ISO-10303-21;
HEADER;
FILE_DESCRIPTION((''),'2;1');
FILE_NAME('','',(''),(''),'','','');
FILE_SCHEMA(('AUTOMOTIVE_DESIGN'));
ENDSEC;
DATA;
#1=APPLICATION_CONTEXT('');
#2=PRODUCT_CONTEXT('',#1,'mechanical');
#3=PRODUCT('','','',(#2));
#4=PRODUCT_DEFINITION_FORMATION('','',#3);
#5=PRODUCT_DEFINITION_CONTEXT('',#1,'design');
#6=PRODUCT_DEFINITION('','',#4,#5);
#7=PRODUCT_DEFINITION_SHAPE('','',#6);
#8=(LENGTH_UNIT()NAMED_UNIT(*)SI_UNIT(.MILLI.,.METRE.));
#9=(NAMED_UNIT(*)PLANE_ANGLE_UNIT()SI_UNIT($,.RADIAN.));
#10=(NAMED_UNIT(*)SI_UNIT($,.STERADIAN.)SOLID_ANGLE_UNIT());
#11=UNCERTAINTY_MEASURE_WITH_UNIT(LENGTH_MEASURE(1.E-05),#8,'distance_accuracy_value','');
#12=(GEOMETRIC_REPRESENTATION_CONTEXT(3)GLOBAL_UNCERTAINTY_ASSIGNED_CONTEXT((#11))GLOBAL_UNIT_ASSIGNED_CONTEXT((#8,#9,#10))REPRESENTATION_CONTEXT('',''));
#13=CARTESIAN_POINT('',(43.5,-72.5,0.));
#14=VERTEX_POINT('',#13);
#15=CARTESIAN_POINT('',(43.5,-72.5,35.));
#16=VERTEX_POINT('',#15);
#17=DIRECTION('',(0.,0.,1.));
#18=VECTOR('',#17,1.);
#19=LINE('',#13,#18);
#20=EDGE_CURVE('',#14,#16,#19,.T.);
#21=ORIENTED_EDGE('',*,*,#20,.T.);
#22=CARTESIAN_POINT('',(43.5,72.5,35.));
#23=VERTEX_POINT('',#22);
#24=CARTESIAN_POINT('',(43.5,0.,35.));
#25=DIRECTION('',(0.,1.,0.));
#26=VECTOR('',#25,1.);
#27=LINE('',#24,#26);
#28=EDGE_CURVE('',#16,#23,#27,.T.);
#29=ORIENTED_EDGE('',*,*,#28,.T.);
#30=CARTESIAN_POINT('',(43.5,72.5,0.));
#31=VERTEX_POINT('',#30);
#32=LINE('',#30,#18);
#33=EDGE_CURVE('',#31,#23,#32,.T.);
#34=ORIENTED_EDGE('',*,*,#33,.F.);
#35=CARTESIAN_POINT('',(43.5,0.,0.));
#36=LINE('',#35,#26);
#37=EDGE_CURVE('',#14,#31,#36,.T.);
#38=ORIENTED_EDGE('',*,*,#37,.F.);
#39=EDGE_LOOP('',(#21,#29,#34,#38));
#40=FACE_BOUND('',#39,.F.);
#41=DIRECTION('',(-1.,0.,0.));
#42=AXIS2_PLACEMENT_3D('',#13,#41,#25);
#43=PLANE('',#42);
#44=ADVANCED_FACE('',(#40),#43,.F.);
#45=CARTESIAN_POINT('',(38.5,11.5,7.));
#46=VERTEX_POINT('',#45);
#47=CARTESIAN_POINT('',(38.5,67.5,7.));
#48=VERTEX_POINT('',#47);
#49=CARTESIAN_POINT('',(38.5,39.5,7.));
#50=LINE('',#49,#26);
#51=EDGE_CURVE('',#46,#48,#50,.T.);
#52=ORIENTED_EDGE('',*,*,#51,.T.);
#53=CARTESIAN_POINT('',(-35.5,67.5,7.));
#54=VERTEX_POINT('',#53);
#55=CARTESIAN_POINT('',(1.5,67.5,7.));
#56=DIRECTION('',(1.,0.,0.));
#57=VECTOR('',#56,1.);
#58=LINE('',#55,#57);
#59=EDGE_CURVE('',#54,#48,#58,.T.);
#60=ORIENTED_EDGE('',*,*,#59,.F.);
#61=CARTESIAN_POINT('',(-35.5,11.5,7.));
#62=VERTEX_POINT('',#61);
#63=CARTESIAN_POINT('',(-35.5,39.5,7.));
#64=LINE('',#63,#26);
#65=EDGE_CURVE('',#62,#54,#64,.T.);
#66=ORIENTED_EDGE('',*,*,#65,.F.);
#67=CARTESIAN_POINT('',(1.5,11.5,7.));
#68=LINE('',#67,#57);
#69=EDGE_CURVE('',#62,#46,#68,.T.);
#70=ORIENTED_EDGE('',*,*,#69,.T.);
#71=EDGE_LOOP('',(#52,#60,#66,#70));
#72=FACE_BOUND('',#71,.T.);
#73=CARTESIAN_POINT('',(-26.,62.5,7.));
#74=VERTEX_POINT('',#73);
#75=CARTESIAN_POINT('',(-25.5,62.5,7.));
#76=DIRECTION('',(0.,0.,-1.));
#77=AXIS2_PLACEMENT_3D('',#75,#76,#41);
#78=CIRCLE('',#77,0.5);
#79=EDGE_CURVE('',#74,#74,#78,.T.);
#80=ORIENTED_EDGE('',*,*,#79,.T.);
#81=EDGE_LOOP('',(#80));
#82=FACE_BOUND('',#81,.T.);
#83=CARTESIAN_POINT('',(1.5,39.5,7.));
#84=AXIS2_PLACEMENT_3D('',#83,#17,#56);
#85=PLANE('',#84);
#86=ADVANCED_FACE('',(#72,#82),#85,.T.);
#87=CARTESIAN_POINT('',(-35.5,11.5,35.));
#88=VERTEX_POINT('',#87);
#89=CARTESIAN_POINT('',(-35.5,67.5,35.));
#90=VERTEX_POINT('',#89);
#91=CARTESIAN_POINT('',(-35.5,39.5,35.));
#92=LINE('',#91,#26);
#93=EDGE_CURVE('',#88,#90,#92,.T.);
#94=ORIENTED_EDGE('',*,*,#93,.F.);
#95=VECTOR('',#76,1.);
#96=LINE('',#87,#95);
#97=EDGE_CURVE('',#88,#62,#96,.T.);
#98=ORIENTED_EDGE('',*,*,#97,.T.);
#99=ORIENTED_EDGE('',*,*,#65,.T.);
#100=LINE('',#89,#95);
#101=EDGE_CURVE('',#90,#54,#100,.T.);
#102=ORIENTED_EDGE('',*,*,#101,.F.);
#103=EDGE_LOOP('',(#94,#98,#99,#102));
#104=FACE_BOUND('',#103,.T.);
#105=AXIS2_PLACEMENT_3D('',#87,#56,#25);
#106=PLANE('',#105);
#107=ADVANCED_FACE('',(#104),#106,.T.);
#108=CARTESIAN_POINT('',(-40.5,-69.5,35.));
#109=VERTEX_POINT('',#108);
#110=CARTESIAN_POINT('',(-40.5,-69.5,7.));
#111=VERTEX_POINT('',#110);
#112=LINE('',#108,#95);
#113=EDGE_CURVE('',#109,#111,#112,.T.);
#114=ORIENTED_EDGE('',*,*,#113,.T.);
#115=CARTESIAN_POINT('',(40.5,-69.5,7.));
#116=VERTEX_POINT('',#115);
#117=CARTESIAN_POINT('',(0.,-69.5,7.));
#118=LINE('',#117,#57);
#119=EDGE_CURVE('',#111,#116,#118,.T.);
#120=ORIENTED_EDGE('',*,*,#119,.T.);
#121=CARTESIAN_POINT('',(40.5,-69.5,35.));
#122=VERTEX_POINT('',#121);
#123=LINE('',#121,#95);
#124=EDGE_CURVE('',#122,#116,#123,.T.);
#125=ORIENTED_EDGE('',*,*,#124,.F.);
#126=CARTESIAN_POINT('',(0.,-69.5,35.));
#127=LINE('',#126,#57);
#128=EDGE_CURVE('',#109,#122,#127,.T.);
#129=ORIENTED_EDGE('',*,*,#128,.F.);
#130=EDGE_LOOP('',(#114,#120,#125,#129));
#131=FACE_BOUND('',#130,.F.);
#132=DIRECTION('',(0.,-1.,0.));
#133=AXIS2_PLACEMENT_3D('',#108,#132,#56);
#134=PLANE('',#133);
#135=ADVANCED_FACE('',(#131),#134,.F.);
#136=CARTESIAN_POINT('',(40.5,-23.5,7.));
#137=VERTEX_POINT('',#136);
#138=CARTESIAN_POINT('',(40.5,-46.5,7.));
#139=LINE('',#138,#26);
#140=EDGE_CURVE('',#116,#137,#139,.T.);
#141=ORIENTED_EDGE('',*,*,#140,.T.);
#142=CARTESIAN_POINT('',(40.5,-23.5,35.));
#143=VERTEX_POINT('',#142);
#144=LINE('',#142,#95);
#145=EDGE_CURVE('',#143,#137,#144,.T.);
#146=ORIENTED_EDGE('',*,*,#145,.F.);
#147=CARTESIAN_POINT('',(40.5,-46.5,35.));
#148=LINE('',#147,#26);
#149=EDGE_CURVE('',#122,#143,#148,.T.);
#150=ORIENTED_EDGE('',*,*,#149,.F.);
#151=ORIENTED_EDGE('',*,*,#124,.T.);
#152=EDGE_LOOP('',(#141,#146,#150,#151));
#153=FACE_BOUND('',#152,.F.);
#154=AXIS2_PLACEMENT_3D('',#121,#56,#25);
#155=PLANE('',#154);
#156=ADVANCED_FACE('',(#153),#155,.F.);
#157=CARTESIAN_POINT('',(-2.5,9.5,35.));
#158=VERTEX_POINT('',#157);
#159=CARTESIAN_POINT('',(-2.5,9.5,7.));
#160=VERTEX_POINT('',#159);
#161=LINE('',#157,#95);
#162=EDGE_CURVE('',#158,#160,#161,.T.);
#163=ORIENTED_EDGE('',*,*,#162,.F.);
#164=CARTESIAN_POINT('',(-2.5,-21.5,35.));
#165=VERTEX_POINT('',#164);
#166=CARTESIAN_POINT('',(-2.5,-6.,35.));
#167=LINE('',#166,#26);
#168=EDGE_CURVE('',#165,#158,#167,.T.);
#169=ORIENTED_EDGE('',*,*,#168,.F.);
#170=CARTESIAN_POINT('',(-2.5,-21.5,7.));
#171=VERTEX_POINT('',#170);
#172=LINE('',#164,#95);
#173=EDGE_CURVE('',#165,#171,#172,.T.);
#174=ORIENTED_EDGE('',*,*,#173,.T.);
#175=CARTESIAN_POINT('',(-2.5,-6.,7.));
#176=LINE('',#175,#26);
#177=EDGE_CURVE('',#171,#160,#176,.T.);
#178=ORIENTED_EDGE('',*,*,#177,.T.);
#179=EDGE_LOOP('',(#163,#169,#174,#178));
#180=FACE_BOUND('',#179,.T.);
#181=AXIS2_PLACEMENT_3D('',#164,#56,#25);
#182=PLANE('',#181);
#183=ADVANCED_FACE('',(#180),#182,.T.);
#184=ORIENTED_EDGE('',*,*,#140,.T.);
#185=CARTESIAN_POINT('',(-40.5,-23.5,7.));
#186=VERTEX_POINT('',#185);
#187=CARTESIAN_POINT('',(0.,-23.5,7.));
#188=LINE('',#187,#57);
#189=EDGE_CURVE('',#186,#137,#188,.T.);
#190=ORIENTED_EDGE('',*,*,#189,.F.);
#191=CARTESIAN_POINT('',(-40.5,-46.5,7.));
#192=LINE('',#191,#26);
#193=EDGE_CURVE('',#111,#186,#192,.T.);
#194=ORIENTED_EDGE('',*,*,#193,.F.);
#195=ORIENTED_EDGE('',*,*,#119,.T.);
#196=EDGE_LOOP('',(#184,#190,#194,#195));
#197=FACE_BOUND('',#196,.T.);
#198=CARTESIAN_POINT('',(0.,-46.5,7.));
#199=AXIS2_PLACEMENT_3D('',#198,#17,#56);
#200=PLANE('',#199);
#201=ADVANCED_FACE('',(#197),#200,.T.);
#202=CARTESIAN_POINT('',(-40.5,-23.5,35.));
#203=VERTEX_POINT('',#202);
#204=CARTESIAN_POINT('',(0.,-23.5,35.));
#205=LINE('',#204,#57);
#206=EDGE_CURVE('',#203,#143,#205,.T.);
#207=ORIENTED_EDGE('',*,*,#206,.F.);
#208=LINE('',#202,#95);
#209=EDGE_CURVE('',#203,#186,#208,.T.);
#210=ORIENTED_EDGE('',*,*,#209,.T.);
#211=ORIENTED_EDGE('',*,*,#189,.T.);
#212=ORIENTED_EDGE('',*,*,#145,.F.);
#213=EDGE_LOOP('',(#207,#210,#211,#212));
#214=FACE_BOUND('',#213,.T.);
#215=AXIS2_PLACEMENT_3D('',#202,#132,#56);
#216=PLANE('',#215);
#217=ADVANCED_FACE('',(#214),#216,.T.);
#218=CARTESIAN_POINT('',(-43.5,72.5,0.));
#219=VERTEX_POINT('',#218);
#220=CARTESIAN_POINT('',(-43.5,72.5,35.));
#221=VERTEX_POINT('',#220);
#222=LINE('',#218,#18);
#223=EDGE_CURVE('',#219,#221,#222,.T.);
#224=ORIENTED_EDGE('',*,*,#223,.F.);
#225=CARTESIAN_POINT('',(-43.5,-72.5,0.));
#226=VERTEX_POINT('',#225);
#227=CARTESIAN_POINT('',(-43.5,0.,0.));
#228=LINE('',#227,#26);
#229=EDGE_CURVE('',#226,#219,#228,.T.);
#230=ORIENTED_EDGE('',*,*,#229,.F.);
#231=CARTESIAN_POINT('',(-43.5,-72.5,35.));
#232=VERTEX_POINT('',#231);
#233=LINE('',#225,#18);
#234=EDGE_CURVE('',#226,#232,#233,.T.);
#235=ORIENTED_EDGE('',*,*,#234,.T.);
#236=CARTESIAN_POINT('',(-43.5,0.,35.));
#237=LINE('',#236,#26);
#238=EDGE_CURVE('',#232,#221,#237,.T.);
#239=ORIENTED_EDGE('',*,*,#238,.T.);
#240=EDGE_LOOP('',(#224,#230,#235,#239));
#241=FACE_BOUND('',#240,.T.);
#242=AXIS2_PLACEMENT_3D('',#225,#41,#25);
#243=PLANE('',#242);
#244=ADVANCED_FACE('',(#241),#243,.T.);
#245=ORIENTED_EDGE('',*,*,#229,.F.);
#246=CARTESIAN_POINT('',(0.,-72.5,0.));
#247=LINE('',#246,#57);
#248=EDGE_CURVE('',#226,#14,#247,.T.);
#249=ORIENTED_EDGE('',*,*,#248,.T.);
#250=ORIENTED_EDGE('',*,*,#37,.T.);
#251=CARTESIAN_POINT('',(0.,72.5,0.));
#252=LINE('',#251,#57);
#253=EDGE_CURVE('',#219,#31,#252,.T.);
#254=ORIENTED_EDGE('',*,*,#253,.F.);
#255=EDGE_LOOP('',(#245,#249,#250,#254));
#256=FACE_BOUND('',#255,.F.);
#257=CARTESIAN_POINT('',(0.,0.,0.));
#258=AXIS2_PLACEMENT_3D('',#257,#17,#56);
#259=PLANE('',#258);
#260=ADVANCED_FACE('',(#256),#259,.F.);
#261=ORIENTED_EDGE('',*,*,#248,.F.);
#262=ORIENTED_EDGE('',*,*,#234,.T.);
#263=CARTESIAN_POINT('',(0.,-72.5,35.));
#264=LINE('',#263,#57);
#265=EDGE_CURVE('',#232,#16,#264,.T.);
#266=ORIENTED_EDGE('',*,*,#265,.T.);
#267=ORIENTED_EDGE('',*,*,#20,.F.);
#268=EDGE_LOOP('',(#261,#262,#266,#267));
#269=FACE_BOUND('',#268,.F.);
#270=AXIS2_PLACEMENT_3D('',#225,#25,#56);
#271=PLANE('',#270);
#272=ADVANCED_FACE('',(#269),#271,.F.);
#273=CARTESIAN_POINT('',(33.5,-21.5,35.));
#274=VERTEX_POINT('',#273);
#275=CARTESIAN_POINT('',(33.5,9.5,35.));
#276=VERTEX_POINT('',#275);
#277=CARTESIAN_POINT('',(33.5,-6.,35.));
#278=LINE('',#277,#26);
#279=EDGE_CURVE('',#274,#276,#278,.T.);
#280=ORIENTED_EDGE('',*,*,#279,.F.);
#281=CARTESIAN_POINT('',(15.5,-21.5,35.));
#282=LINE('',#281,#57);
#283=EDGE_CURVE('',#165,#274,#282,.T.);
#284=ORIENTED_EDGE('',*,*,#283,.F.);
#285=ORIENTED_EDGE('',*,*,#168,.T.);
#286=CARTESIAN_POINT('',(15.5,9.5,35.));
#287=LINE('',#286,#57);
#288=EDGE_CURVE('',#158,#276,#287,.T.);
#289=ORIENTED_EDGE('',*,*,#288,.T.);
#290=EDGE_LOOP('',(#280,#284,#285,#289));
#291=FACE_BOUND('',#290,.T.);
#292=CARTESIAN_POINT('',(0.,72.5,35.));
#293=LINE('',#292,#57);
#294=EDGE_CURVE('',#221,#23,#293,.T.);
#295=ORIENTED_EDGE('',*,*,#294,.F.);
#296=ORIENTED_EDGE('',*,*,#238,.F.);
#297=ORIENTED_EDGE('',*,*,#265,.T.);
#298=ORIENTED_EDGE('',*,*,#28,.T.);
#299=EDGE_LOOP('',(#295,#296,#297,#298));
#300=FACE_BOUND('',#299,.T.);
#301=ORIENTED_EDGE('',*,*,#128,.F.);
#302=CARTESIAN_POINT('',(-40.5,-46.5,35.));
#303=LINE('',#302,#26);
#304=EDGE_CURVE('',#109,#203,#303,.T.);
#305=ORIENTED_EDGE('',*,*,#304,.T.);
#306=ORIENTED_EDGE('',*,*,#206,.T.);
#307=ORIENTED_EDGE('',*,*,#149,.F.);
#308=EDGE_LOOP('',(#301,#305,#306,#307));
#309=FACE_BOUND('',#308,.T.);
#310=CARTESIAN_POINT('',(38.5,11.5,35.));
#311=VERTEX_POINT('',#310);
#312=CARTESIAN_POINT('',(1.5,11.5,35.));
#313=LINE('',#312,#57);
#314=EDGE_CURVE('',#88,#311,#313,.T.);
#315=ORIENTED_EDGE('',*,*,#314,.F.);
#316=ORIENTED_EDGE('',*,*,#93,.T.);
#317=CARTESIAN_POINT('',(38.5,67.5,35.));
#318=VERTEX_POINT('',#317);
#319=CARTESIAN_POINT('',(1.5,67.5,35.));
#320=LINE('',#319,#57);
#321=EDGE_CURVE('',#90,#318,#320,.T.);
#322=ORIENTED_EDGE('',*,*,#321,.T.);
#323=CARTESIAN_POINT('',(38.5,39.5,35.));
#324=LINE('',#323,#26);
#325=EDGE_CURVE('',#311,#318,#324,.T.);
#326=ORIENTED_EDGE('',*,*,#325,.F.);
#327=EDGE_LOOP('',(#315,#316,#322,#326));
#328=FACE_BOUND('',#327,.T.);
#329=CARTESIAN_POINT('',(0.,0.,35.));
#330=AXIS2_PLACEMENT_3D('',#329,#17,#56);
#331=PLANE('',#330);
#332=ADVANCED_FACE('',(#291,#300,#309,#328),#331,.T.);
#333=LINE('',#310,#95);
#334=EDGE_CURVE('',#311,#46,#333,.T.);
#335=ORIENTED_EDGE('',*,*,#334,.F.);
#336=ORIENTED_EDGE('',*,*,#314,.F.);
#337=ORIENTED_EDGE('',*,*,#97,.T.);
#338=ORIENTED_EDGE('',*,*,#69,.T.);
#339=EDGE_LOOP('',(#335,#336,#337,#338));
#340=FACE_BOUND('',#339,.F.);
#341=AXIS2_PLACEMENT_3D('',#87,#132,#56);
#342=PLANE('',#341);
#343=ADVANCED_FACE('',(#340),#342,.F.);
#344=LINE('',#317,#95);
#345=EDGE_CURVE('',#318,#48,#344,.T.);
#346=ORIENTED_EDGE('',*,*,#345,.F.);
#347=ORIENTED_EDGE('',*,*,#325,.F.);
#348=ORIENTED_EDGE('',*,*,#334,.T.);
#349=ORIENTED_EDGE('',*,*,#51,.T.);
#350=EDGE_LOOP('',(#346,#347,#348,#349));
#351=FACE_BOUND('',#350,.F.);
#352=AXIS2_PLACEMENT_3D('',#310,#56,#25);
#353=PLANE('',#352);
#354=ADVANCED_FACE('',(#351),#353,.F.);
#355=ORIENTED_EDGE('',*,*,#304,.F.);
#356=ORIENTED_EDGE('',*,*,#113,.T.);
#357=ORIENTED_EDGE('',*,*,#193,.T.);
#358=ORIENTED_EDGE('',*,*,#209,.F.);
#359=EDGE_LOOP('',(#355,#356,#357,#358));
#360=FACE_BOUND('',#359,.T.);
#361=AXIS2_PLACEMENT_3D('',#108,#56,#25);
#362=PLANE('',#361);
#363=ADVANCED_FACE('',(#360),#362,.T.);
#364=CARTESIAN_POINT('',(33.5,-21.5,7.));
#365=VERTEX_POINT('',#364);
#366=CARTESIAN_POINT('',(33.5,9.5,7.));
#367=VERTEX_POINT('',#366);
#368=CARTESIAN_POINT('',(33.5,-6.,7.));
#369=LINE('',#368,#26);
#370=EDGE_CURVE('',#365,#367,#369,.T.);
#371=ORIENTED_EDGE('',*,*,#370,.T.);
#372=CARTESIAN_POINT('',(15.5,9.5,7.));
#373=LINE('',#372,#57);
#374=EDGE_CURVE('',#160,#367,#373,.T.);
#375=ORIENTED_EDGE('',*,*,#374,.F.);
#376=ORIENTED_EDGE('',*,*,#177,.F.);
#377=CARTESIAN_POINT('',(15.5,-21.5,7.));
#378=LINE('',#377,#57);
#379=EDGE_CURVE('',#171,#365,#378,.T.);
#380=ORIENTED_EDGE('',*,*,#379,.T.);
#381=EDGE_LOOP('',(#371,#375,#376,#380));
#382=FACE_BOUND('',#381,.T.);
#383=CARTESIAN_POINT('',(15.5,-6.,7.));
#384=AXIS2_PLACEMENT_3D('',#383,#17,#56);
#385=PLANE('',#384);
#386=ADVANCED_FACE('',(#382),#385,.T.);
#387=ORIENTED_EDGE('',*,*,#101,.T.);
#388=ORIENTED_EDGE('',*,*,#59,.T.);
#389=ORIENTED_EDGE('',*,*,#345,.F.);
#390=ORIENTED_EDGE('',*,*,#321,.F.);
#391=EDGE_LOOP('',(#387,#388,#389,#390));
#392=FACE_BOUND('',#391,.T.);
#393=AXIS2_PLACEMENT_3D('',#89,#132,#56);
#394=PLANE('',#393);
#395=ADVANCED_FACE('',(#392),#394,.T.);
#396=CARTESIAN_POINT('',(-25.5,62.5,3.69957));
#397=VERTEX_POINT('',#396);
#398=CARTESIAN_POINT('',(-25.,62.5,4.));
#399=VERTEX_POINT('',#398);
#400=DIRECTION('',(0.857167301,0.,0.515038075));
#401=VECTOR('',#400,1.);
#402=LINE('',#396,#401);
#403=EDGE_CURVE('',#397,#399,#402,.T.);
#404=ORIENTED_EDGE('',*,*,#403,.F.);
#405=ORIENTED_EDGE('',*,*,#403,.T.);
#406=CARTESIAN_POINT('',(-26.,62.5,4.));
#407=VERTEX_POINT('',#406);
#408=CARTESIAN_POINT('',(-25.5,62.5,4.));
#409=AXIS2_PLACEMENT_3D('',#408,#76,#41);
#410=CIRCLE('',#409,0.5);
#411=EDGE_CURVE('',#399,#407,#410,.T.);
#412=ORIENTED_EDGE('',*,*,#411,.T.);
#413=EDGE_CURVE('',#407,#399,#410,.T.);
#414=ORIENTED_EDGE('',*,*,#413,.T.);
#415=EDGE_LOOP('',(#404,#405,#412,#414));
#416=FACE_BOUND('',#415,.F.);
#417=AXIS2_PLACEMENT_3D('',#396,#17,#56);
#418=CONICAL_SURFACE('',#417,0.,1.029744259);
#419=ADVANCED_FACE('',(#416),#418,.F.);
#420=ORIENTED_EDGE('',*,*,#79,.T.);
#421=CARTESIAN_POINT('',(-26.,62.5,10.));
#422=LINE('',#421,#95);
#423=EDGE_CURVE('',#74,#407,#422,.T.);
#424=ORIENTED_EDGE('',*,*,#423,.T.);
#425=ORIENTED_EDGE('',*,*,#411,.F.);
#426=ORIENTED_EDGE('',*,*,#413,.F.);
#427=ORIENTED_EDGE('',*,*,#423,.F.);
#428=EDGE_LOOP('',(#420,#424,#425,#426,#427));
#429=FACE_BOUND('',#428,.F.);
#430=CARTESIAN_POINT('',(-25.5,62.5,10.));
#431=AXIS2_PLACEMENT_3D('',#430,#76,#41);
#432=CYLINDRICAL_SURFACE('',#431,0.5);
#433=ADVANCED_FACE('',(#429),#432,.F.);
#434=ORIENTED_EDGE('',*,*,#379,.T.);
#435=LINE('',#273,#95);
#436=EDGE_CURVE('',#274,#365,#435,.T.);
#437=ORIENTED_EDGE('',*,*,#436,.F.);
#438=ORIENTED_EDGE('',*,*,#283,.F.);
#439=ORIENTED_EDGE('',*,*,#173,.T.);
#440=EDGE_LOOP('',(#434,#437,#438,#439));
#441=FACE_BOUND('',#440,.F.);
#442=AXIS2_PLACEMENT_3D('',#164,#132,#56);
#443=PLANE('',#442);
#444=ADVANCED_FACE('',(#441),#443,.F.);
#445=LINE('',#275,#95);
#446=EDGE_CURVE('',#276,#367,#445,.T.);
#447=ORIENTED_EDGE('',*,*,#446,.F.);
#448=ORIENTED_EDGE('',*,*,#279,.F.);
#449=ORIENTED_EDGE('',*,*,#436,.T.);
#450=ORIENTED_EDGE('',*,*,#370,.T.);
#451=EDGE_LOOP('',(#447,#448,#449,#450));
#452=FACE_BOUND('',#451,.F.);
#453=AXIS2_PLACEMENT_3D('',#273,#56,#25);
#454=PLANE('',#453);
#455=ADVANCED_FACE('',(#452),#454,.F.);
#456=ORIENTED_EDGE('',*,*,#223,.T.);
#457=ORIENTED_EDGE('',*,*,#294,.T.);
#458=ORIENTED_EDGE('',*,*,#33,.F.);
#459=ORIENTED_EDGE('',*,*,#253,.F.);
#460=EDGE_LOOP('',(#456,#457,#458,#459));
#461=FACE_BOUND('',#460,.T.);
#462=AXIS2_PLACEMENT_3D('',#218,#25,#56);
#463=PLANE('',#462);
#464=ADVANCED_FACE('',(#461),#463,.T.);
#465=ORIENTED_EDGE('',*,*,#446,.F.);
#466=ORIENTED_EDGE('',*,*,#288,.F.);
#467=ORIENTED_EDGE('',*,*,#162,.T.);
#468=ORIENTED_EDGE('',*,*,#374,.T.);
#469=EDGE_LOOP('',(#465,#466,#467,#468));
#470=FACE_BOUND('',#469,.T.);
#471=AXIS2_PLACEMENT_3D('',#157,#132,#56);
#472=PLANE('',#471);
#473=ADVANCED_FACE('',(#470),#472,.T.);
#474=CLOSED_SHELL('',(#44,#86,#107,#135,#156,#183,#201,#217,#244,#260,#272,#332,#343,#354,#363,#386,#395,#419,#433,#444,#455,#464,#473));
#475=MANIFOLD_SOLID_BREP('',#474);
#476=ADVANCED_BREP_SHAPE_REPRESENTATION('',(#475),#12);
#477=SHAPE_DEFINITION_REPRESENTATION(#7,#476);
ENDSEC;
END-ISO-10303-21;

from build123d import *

# Parameters (mm, degrees)
F0_W     = 87
F0_H     = 145
F1_DEPTH = 35
F2_W     = 74
F2_H     = 56
F2_W_2   = 36
F2_H_2   = 31
F2_W_3   = 81
F2_H_3   = 46
F3_DEPTH = 28
F4_D     = 1
F4_DEPTH = 3
F4_START = 28
F4_TIP   = 0.3004303095


with BuildPart() as f1:
    # F0 (on Top) → F1 (new body)
    with BuildSketch(Plane.XY):
        Rectangle(F0_W, F0_H)
    extrude(amount=F1_DEPTH)

    # F2 (on face) → F3 (cut)
    with BuildSketch(Plane.XY.offset(35)):
        with Locations((1.5, 39.5)):
            Rectangle(F2_W, F2_H)
        with Locations((15.5, -6)):
            Rectangle(F2_W_2, F2_H_2)
        with Locations((0, -46.5)):
            Rectangle(F2_W_3, F2_H_3)
    extrude(amount=-F3_DEPTH, mode=Mode.SUBTRACT)

    # F4
    # its depths count from where the whole tool has entered the part; down to there all is cleared
    with Locations(Plane.XY.offset(35)):
        with Locations((-25.5, 62.5)):
            Hole(F4_D / 2, depth=F4_START)
    with Locations(Plane.XY.offset(35).offset(-F4_START)):
        with Locations((-25.5, 62.5)):
            Hole(F4_D / 2, depth=F4_DEPTH)
            with Locations((0, 0, -(F4_DEPTH + F4_TIP / 2))):  # 118° drill point
                Cone(0, F4_D / 2, F4_TIP, mode=Mode.SUBTRACT)


solid = f1.part
